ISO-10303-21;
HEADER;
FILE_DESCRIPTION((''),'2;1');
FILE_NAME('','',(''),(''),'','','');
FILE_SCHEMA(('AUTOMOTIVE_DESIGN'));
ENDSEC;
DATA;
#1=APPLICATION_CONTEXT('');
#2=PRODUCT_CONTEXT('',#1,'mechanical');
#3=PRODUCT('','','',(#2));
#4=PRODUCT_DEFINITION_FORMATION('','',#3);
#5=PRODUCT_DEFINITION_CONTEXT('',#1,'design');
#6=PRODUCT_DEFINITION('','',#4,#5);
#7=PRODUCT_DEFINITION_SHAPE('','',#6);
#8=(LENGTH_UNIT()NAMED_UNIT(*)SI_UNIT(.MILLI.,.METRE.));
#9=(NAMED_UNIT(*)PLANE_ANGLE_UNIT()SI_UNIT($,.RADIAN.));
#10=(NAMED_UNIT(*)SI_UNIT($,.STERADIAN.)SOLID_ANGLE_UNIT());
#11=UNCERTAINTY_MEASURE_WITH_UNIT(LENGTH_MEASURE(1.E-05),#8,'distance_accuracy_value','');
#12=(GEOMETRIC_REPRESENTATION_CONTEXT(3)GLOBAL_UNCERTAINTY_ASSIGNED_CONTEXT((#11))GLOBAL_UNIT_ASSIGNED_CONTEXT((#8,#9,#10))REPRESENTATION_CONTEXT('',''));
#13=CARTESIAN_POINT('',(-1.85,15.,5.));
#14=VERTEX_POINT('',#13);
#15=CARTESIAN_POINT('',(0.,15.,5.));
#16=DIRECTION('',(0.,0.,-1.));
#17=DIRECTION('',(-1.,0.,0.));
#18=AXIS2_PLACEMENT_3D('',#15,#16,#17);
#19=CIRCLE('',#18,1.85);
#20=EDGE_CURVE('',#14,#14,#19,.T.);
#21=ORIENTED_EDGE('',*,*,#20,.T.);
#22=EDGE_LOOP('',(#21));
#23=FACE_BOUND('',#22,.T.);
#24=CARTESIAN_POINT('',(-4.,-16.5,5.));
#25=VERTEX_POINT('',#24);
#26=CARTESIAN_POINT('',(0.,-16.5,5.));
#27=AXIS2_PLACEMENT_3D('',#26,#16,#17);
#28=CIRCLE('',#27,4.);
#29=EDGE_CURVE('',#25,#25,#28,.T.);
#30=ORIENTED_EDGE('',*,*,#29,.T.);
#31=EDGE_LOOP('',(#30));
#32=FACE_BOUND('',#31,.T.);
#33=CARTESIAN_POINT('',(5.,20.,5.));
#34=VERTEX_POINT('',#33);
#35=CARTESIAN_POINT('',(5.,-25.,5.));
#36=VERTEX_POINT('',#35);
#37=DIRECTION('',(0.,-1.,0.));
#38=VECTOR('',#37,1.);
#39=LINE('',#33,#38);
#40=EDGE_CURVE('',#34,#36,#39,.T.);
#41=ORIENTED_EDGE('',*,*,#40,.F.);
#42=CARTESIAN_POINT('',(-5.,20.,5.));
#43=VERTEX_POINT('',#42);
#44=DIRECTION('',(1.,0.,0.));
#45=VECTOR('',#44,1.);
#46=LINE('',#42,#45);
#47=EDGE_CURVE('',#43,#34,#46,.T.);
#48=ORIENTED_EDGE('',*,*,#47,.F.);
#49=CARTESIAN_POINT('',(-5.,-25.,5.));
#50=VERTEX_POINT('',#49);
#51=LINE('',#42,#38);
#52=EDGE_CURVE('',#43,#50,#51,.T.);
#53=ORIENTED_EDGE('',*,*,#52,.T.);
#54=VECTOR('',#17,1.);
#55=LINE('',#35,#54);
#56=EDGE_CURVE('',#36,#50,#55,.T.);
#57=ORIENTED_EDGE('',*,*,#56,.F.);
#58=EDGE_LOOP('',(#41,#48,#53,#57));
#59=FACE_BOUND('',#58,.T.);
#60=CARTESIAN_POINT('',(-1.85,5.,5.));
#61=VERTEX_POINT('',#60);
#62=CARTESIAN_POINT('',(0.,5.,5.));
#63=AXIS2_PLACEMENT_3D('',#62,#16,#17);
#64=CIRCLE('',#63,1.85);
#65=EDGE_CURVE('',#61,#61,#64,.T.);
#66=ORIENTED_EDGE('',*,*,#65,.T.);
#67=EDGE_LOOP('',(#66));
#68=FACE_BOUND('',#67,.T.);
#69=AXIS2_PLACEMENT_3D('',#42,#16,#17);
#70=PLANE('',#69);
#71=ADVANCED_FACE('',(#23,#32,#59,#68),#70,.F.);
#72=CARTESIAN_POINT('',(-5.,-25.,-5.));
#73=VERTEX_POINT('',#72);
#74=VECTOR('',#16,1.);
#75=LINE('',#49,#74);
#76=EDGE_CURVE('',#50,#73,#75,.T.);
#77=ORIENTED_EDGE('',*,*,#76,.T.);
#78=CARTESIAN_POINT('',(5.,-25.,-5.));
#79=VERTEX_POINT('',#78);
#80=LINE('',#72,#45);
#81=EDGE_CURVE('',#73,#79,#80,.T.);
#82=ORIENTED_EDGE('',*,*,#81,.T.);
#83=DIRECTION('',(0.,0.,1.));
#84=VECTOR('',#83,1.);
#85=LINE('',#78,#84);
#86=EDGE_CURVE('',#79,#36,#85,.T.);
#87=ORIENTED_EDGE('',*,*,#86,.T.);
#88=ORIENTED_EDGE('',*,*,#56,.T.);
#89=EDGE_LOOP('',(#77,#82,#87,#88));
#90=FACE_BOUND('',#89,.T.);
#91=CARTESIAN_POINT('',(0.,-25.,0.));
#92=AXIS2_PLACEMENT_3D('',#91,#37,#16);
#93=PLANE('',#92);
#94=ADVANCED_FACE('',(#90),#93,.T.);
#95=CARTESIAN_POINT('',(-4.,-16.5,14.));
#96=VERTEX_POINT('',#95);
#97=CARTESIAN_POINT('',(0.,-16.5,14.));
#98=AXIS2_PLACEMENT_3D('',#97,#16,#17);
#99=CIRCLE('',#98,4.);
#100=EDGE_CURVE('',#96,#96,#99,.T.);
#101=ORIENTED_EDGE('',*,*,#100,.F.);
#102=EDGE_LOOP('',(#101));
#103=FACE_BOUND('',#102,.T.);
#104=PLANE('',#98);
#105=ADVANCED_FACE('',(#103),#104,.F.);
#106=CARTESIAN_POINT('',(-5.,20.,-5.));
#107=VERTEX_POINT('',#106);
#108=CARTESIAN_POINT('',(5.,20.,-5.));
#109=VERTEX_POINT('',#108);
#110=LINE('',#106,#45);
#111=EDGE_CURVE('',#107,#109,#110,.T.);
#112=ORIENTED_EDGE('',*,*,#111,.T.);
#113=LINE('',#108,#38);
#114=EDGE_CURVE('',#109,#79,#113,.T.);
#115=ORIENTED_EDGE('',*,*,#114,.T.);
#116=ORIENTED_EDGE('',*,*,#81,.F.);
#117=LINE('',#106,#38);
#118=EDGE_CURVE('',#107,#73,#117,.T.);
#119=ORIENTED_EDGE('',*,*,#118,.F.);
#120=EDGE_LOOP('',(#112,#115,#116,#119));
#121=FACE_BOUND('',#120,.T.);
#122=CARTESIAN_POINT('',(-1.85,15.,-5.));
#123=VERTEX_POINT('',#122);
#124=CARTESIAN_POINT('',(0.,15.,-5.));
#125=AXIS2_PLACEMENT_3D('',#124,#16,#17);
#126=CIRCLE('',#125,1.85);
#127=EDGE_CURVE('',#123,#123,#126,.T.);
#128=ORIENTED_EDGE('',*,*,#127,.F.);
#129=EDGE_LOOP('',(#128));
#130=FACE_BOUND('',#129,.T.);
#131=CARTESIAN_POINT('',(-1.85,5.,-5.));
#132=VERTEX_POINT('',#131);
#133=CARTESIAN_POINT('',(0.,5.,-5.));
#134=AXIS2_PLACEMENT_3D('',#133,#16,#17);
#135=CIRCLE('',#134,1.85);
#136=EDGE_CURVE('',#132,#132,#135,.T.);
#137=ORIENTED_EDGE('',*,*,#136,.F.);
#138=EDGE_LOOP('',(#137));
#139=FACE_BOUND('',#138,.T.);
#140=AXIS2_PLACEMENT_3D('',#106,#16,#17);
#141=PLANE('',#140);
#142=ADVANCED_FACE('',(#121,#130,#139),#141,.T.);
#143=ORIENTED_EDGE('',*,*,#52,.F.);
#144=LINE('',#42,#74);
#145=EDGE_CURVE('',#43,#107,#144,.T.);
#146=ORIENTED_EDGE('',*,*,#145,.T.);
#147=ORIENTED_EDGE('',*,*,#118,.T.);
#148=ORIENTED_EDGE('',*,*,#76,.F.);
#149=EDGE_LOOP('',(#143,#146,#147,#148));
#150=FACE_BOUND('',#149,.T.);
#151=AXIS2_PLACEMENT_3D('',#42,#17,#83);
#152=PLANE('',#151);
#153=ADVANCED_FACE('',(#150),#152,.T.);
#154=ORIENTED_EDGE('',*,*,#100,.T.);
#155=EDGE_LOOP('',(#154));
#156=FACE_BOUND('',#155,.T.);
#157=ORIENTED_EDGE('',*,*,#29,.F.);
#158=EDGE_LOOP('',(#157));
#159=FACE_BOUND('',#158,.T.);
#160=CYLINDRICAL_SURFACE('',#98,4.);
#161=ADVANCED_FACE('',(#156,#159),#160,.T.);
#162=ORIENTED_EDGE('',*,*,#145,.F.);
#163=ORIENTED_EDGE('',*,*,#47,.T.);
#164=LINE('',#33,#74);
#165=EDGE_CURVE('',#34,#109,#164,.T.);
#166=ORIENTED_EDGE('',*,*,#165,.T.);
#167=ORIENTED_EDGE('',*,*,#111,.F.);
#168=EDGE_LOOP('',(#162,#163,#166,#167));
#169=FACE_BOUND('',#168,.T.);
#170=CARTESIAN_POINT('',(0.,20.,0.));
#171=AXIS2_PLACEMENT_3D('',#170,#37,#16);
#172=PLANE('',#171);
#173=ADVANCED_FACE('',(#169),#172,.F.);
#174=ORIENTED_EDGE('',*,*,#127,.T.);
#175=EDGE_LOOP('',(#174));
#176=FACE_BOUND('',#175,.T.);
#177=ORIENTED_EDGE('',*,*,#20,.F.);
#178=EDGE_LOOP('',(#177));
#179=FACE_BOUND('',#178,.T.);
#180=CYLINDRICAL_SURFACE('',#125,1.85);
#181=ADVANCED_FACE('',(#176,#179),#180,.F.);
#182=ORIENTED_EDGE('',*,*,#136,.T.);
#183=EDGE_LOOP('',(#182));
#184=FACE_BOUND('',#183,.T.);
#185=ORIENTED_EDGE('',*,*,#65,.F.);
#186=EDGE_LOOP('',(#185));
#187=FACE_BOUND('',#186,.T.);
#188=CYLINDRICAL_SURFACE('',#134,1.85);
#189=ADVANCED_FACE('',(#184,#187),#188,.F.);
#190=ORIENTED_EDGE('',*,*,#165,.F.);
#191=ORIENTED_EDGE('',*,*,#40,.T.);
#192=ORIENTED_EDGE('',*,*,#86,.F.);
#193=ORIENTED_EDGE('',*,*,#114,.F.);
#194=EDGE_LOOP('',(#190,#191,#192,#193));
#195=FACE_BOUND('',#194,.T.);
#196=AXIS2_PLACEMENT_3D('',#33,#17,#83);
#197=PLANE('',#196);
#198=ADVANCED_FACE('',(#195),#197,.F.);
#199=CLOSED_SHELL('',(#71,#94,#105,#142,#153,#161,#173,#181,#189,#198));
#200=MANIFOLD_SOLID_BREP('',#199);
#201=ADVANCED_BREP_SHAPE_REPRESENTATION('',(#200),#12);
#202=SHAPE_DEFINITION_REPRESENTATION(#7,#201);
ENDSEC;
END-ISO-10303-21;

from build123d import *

# Parameters (mm, degrees)
ESQUISSE1_W        = 10
ESQUISSE1_H        = 10
BOSS_EXTRU_1_DEPTH = 20
D_GAGEMENT_M3_51_D = 3.7
ESQUISSE2_W        = 10
ESQUISSE2_H        = 10
BOSS_EXTRU_2_DEPTH = 25
ESQUISSE4_R        = 4
BOSS_EXTRU_3_DEPTH = 9


with BuildPart() as part:
    # Esquisse1 → Boss.-Extru.1 (new body)
    with BuildSketch(Plane(origin=(0, 0, 0), x_dir=(1, 0, 0), z_dir=(0, 1, 0))):
        Rectangle(ESQUISSE1_W, ESQUISSE1_H)
    extrude(amount=BOSS_EXTRU_1_DEPTH)

    # Dégagement M3.51 (through all)
    with Locations(Plane(origin=(0, 0, -5), x_dir=(-1, 0, 0), z_dir=(0, 0, -1))):
        with Locations((0, 15), (0, 5)):
            Hole(D_GAGEMENT_M3_51_D / 2)

    # Esquisse2 → Boss.-Extru.2 (add)
    with BuildSketch(Plane.XZ):
        Rectangle(ESQUISSE2_W, ESQUISSE2_H)
    extrude(amount=BOSS_EXTRU_2_DEPTH)

    # Esquisse4 → Boss.-Extru.3 (add)
    with BuildSketch(Plane(origin=(0, -15, 5), x_dir=(1, 0, 0), z_dir=(0, 0, -1))):
        with Locations(Location((0, 1.5, 0), (0, 0, 180))):
            Circle(ESQUISSE4_R)
    extrude(amount=-BOSS_EXTRU_3_DEPTH)


solid = part.part
